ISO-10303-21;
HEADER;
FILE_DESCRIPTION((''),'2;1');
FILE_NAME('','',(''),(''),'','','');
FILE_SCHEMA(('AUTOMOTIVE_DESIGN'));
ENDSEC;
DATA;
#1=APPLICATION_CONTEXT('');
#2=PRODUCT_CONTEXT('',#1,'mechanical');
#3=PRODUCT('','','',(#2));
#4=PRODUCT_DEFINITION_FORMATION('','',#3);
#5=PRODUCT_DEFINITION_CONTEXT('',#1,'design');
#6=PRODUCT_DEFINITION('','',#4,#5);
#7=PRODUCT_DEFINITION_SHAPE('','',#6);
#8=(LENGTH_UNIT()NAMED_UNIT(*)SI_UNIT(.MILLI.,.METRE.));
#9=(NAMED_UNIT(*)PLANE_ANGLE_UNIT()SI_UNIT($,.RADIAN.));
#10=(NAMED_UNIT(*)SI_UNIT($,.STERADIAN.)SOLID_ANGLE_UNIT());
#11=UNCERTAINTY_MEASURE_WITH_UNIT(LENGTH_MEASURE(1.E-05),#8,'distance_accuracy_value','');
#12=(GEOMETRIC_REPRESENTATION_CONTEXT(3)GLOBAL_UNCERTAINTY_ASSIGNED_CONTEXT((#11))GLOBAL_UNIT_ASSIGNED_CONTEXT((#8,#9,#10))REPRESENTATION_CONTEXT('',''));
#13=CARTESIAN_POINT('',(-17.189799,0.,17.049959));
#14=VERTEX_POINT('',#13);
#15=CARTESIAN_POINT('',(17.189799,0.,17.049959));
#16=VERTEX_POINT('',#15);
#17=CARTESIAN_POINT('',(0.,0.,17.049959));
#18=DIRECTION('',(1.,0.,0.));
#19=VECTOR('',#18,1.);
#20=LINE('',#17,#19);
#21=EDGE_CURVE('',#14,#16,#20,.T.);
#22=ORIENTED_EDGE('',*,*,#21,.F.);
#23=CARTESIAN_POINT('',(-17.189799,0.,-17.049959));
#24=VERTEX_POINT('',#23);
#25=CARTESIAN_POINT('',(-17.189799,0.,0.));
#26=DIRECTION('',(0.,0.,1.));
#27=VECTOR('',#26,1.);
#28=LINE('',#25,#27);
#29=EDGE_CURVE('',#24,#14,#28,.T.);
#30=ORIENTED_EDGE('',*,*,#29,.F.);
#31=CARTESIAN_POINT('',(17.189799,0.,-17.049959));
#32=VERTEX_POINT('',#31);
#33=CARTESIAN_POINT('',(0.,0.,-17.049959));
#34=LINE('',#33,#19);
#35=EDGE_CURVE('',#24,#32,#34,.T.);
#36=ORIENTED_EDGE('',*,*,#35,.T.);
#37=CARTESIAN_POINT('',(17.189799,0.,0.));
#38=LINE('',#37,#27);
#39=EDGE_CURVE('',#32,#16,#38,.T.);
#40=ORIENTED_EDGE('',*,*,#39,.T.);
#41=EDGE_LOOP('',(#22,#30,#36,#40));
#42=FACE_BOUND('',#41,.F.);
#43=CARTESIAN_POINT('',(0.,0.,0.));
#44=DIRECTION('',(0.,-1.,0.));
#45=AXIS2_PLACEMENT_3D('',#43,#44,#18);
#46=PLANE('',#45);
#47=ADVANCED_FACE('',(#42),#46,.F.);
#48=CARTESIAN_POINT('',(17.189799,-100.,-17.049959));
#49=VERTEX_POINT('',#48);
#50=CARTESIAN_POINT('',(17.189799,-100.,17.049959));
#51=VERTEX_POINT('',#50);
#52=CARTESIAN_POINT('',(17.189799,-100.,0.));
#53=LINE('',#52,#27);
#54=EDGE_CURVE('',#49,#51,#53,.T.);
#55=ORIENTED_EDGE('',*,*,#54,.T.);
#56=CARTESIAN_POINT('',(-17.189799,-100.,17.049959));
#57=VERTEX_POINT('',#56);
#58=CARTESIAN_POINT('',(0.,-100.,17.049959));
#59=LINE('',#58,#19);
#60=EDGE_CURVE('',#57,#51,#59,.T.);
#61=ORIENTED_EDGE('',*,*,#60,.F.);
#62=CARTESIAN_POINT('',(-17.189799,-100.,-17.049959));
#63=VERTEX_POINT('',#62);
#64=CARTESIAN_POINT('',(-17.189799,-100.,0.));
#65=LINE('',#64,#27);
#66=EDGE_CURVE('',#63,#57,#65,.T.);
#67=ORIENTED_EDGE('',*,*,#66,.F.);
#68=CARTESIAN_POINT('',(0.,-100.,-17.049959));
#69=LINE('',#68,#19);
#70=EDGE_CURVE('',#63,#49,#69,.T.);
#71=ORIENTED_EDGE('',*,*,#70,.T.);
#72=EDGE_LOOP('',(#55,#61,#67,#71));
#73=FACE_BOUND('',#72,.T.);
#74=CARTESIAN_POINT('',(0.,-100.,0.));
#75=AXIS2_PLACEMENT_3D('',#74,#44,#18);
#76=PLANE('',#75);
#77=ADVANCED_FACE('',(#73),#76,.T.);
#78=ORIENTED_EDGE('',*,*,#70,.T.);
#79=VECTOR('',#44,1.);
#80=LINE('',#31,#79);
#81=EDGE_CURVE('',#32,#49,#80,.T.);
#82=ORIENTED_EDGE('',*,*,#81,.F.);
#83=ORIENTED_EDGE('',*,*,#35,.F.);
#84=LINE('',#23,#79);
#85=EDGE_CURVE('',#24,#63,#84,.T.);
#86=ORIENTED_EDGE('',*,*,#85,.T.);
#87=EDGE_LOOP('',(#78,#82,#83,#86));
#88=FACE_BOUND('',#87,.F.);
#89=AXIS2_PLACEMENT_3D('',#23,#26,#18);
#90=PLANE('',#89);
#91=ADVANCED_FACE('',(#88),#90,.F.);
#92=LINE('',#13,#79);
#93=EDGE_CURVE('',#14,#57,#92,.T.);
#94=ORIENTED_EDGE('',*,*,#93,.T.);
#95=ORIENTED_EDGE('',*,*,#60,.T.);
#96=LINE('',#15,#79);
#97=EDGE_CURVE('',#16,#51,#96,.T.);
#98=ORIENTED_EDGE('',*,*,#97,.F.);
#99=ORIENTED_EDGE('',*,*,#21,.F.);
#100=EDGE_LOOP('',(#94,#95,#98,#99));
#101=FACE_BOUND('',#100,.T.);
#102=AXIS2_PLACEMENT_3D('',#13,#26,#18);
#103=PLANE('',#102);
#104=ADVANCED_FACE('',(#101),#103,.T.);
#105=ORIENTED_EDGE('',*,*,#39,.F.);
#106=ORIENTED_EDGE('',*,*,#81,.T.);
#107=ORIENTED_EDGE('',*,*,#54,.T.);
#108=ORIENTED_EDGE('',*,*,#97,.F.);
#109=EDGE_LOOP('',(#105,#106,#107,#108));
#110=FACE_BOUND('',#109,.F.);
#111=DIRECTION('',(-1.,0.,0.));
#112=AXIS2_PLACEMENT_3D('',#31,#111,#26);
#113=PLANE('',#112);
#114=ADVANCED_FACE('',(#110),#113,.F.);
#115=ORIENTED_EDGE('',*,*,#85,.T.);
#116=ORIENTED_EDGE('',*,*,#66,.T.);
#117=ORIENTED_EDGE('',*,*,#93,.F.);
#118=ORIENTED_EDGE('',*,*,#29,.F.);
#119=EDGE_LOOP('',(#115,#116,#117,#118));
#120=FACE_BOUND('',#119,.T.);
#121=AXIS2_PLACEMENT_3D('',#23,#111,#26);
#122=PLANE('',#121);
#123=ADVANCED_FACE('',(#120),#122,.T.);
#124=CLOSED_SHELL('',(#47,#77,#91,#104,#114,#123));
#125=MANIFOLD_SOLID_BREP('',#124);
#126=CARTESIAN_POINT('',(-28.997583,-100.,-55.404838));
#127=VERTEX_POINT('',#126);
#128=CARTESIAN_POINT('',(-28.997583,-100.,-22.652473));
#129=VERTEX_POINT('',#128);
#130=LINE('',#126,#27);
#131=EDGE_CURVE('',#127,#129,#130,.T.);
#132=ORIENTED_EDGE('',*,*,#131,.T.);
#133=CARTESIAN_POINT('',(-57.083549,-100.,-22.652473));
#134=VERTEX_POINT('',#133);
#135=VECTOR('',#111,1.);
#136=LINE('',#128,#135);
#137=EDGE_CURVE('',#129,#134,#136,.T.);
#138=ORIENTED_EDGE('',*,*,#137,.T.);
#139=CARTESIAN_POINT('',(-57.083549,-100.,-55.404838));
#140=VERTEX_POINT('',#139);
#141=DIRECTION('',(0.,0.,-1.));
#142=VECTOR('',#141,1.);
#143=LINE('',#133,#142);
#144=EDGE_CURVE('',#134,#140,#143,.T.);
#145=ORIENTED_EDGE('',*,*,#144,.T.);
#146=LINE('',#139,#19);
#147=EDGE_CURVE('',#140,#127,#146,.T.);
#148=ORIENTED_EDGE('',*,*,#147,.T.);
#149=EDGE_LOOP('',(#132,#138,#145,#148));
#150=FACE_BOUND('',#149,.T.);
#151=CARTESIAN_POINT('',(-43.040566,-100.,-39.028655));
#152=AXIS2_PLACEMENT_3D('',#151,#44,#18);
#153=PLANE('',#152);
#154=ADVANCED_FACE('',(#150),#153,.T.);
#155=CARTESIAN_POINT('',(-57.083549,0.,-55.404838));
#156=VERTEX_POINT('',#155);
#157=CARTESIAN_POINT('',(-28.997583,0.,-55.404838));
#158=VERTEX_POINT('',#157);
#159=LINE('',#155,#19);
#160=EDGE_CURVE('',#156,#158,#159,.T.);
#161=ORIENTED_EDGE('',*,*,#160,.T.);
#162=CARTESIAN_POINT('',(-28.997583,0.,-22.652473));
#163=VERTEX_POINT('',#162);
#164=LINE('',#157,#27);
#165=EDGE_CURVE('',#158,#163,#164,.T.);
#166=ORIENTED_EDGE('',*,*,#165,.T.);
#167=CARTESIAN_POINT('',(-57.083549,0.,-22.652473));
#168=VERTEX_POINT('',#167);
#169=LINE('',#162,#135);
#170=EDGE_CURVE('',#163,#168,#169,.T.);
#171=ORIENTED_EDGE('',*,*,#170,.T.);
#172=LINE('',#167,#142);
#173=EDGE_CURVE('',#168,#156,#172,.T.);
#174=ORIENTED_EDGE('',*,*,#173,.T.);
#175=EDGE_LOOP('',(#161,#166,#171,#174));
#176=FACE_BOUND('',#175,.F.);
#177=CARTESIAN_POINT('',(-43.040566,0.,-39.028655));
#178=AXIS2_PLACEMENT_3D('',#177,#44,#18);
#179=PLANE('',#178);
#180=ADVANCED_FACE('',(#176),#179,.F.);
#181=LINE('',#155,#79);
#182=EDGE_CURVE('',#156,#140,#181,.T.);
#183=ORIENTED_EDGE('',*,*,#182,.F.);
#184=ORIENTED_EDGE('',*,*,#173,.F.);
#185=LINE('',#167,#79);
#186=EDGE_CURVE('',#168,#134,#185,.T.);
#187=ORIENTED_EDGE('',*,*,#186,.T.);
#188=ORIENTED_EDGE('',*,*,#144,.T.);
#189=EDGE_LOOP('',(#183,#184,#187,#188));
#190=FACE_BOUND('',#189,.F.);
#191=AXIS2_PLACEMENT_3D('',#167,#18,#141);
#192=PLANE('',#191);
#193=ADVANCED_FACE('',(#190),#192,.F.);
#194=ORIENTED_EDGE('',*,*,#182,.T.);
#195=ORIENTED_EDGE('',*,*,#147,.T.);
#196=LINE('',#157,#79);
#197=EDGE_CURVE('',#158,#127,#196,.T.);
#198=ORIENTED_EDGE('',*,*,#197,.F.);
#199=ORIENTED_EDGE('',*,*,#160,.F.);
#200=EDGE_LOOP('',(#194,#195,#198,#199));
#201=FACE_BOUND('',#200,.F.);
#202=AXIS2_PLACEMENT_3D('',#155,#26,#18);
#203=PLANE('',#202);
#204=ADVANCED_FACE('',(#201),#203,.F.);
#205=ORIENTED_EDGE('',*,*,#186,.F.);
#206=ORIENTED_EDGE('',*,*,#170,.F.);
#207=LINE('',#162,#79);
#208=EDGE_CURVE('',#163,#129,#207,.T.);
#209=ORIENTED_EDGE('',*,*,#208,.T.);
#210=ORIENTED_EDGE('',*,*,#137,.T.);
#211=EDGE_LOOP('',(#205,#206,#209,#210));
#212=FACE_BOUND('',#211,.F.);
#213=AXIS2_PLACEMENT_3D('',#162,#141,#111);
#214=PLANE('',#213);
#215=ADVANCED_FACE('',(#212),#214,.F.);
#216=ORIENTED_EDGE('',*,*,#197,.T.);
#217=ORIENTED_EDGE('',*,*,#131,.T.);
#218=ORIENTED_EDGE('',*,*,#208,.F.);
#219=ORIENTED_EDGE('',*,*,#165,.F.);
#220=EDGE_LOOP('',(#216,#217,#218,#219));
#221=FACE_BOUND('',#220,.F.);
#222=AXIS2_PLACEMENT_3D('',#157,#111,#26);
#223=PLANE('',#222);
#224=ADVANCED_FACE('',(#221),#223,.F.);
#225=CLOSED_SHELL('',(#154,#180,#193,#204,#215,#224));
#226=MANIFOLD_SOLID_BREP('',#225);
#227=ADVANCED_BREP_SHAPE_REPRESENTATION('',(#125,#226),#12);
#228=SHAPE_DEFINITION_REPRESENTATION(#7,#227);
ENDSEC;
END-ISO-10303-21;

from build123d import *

# Parameters (mm, degrees)
F0_W     = 34.379598
F0_H     = 34.099918
F1_DEPTH = 100
F3_DEPTH = 100


with BuildPart() as f1:
    # F0 (on Front) → F1 (new body)
    with BuildSketch(Plane.XZ):
        Rectangle(F0_W, F0_H)
    extrude(amount=F1_DEPTH)


with BuildPart() as f3:
    # F2 (on Front) → F3 (new body)
    with BuildSketch(Plane.XZ):
        Polygon((-48.201155, -55.404838), (-28.997583, -55.404838), (-28.997583, -22.652473), (-57.083549, -22.652473), (-57.083549, -55.404838), align=None)
    extrude(amount=F3_DEPTH)


solid = Compound([f1.part, f3.part])
